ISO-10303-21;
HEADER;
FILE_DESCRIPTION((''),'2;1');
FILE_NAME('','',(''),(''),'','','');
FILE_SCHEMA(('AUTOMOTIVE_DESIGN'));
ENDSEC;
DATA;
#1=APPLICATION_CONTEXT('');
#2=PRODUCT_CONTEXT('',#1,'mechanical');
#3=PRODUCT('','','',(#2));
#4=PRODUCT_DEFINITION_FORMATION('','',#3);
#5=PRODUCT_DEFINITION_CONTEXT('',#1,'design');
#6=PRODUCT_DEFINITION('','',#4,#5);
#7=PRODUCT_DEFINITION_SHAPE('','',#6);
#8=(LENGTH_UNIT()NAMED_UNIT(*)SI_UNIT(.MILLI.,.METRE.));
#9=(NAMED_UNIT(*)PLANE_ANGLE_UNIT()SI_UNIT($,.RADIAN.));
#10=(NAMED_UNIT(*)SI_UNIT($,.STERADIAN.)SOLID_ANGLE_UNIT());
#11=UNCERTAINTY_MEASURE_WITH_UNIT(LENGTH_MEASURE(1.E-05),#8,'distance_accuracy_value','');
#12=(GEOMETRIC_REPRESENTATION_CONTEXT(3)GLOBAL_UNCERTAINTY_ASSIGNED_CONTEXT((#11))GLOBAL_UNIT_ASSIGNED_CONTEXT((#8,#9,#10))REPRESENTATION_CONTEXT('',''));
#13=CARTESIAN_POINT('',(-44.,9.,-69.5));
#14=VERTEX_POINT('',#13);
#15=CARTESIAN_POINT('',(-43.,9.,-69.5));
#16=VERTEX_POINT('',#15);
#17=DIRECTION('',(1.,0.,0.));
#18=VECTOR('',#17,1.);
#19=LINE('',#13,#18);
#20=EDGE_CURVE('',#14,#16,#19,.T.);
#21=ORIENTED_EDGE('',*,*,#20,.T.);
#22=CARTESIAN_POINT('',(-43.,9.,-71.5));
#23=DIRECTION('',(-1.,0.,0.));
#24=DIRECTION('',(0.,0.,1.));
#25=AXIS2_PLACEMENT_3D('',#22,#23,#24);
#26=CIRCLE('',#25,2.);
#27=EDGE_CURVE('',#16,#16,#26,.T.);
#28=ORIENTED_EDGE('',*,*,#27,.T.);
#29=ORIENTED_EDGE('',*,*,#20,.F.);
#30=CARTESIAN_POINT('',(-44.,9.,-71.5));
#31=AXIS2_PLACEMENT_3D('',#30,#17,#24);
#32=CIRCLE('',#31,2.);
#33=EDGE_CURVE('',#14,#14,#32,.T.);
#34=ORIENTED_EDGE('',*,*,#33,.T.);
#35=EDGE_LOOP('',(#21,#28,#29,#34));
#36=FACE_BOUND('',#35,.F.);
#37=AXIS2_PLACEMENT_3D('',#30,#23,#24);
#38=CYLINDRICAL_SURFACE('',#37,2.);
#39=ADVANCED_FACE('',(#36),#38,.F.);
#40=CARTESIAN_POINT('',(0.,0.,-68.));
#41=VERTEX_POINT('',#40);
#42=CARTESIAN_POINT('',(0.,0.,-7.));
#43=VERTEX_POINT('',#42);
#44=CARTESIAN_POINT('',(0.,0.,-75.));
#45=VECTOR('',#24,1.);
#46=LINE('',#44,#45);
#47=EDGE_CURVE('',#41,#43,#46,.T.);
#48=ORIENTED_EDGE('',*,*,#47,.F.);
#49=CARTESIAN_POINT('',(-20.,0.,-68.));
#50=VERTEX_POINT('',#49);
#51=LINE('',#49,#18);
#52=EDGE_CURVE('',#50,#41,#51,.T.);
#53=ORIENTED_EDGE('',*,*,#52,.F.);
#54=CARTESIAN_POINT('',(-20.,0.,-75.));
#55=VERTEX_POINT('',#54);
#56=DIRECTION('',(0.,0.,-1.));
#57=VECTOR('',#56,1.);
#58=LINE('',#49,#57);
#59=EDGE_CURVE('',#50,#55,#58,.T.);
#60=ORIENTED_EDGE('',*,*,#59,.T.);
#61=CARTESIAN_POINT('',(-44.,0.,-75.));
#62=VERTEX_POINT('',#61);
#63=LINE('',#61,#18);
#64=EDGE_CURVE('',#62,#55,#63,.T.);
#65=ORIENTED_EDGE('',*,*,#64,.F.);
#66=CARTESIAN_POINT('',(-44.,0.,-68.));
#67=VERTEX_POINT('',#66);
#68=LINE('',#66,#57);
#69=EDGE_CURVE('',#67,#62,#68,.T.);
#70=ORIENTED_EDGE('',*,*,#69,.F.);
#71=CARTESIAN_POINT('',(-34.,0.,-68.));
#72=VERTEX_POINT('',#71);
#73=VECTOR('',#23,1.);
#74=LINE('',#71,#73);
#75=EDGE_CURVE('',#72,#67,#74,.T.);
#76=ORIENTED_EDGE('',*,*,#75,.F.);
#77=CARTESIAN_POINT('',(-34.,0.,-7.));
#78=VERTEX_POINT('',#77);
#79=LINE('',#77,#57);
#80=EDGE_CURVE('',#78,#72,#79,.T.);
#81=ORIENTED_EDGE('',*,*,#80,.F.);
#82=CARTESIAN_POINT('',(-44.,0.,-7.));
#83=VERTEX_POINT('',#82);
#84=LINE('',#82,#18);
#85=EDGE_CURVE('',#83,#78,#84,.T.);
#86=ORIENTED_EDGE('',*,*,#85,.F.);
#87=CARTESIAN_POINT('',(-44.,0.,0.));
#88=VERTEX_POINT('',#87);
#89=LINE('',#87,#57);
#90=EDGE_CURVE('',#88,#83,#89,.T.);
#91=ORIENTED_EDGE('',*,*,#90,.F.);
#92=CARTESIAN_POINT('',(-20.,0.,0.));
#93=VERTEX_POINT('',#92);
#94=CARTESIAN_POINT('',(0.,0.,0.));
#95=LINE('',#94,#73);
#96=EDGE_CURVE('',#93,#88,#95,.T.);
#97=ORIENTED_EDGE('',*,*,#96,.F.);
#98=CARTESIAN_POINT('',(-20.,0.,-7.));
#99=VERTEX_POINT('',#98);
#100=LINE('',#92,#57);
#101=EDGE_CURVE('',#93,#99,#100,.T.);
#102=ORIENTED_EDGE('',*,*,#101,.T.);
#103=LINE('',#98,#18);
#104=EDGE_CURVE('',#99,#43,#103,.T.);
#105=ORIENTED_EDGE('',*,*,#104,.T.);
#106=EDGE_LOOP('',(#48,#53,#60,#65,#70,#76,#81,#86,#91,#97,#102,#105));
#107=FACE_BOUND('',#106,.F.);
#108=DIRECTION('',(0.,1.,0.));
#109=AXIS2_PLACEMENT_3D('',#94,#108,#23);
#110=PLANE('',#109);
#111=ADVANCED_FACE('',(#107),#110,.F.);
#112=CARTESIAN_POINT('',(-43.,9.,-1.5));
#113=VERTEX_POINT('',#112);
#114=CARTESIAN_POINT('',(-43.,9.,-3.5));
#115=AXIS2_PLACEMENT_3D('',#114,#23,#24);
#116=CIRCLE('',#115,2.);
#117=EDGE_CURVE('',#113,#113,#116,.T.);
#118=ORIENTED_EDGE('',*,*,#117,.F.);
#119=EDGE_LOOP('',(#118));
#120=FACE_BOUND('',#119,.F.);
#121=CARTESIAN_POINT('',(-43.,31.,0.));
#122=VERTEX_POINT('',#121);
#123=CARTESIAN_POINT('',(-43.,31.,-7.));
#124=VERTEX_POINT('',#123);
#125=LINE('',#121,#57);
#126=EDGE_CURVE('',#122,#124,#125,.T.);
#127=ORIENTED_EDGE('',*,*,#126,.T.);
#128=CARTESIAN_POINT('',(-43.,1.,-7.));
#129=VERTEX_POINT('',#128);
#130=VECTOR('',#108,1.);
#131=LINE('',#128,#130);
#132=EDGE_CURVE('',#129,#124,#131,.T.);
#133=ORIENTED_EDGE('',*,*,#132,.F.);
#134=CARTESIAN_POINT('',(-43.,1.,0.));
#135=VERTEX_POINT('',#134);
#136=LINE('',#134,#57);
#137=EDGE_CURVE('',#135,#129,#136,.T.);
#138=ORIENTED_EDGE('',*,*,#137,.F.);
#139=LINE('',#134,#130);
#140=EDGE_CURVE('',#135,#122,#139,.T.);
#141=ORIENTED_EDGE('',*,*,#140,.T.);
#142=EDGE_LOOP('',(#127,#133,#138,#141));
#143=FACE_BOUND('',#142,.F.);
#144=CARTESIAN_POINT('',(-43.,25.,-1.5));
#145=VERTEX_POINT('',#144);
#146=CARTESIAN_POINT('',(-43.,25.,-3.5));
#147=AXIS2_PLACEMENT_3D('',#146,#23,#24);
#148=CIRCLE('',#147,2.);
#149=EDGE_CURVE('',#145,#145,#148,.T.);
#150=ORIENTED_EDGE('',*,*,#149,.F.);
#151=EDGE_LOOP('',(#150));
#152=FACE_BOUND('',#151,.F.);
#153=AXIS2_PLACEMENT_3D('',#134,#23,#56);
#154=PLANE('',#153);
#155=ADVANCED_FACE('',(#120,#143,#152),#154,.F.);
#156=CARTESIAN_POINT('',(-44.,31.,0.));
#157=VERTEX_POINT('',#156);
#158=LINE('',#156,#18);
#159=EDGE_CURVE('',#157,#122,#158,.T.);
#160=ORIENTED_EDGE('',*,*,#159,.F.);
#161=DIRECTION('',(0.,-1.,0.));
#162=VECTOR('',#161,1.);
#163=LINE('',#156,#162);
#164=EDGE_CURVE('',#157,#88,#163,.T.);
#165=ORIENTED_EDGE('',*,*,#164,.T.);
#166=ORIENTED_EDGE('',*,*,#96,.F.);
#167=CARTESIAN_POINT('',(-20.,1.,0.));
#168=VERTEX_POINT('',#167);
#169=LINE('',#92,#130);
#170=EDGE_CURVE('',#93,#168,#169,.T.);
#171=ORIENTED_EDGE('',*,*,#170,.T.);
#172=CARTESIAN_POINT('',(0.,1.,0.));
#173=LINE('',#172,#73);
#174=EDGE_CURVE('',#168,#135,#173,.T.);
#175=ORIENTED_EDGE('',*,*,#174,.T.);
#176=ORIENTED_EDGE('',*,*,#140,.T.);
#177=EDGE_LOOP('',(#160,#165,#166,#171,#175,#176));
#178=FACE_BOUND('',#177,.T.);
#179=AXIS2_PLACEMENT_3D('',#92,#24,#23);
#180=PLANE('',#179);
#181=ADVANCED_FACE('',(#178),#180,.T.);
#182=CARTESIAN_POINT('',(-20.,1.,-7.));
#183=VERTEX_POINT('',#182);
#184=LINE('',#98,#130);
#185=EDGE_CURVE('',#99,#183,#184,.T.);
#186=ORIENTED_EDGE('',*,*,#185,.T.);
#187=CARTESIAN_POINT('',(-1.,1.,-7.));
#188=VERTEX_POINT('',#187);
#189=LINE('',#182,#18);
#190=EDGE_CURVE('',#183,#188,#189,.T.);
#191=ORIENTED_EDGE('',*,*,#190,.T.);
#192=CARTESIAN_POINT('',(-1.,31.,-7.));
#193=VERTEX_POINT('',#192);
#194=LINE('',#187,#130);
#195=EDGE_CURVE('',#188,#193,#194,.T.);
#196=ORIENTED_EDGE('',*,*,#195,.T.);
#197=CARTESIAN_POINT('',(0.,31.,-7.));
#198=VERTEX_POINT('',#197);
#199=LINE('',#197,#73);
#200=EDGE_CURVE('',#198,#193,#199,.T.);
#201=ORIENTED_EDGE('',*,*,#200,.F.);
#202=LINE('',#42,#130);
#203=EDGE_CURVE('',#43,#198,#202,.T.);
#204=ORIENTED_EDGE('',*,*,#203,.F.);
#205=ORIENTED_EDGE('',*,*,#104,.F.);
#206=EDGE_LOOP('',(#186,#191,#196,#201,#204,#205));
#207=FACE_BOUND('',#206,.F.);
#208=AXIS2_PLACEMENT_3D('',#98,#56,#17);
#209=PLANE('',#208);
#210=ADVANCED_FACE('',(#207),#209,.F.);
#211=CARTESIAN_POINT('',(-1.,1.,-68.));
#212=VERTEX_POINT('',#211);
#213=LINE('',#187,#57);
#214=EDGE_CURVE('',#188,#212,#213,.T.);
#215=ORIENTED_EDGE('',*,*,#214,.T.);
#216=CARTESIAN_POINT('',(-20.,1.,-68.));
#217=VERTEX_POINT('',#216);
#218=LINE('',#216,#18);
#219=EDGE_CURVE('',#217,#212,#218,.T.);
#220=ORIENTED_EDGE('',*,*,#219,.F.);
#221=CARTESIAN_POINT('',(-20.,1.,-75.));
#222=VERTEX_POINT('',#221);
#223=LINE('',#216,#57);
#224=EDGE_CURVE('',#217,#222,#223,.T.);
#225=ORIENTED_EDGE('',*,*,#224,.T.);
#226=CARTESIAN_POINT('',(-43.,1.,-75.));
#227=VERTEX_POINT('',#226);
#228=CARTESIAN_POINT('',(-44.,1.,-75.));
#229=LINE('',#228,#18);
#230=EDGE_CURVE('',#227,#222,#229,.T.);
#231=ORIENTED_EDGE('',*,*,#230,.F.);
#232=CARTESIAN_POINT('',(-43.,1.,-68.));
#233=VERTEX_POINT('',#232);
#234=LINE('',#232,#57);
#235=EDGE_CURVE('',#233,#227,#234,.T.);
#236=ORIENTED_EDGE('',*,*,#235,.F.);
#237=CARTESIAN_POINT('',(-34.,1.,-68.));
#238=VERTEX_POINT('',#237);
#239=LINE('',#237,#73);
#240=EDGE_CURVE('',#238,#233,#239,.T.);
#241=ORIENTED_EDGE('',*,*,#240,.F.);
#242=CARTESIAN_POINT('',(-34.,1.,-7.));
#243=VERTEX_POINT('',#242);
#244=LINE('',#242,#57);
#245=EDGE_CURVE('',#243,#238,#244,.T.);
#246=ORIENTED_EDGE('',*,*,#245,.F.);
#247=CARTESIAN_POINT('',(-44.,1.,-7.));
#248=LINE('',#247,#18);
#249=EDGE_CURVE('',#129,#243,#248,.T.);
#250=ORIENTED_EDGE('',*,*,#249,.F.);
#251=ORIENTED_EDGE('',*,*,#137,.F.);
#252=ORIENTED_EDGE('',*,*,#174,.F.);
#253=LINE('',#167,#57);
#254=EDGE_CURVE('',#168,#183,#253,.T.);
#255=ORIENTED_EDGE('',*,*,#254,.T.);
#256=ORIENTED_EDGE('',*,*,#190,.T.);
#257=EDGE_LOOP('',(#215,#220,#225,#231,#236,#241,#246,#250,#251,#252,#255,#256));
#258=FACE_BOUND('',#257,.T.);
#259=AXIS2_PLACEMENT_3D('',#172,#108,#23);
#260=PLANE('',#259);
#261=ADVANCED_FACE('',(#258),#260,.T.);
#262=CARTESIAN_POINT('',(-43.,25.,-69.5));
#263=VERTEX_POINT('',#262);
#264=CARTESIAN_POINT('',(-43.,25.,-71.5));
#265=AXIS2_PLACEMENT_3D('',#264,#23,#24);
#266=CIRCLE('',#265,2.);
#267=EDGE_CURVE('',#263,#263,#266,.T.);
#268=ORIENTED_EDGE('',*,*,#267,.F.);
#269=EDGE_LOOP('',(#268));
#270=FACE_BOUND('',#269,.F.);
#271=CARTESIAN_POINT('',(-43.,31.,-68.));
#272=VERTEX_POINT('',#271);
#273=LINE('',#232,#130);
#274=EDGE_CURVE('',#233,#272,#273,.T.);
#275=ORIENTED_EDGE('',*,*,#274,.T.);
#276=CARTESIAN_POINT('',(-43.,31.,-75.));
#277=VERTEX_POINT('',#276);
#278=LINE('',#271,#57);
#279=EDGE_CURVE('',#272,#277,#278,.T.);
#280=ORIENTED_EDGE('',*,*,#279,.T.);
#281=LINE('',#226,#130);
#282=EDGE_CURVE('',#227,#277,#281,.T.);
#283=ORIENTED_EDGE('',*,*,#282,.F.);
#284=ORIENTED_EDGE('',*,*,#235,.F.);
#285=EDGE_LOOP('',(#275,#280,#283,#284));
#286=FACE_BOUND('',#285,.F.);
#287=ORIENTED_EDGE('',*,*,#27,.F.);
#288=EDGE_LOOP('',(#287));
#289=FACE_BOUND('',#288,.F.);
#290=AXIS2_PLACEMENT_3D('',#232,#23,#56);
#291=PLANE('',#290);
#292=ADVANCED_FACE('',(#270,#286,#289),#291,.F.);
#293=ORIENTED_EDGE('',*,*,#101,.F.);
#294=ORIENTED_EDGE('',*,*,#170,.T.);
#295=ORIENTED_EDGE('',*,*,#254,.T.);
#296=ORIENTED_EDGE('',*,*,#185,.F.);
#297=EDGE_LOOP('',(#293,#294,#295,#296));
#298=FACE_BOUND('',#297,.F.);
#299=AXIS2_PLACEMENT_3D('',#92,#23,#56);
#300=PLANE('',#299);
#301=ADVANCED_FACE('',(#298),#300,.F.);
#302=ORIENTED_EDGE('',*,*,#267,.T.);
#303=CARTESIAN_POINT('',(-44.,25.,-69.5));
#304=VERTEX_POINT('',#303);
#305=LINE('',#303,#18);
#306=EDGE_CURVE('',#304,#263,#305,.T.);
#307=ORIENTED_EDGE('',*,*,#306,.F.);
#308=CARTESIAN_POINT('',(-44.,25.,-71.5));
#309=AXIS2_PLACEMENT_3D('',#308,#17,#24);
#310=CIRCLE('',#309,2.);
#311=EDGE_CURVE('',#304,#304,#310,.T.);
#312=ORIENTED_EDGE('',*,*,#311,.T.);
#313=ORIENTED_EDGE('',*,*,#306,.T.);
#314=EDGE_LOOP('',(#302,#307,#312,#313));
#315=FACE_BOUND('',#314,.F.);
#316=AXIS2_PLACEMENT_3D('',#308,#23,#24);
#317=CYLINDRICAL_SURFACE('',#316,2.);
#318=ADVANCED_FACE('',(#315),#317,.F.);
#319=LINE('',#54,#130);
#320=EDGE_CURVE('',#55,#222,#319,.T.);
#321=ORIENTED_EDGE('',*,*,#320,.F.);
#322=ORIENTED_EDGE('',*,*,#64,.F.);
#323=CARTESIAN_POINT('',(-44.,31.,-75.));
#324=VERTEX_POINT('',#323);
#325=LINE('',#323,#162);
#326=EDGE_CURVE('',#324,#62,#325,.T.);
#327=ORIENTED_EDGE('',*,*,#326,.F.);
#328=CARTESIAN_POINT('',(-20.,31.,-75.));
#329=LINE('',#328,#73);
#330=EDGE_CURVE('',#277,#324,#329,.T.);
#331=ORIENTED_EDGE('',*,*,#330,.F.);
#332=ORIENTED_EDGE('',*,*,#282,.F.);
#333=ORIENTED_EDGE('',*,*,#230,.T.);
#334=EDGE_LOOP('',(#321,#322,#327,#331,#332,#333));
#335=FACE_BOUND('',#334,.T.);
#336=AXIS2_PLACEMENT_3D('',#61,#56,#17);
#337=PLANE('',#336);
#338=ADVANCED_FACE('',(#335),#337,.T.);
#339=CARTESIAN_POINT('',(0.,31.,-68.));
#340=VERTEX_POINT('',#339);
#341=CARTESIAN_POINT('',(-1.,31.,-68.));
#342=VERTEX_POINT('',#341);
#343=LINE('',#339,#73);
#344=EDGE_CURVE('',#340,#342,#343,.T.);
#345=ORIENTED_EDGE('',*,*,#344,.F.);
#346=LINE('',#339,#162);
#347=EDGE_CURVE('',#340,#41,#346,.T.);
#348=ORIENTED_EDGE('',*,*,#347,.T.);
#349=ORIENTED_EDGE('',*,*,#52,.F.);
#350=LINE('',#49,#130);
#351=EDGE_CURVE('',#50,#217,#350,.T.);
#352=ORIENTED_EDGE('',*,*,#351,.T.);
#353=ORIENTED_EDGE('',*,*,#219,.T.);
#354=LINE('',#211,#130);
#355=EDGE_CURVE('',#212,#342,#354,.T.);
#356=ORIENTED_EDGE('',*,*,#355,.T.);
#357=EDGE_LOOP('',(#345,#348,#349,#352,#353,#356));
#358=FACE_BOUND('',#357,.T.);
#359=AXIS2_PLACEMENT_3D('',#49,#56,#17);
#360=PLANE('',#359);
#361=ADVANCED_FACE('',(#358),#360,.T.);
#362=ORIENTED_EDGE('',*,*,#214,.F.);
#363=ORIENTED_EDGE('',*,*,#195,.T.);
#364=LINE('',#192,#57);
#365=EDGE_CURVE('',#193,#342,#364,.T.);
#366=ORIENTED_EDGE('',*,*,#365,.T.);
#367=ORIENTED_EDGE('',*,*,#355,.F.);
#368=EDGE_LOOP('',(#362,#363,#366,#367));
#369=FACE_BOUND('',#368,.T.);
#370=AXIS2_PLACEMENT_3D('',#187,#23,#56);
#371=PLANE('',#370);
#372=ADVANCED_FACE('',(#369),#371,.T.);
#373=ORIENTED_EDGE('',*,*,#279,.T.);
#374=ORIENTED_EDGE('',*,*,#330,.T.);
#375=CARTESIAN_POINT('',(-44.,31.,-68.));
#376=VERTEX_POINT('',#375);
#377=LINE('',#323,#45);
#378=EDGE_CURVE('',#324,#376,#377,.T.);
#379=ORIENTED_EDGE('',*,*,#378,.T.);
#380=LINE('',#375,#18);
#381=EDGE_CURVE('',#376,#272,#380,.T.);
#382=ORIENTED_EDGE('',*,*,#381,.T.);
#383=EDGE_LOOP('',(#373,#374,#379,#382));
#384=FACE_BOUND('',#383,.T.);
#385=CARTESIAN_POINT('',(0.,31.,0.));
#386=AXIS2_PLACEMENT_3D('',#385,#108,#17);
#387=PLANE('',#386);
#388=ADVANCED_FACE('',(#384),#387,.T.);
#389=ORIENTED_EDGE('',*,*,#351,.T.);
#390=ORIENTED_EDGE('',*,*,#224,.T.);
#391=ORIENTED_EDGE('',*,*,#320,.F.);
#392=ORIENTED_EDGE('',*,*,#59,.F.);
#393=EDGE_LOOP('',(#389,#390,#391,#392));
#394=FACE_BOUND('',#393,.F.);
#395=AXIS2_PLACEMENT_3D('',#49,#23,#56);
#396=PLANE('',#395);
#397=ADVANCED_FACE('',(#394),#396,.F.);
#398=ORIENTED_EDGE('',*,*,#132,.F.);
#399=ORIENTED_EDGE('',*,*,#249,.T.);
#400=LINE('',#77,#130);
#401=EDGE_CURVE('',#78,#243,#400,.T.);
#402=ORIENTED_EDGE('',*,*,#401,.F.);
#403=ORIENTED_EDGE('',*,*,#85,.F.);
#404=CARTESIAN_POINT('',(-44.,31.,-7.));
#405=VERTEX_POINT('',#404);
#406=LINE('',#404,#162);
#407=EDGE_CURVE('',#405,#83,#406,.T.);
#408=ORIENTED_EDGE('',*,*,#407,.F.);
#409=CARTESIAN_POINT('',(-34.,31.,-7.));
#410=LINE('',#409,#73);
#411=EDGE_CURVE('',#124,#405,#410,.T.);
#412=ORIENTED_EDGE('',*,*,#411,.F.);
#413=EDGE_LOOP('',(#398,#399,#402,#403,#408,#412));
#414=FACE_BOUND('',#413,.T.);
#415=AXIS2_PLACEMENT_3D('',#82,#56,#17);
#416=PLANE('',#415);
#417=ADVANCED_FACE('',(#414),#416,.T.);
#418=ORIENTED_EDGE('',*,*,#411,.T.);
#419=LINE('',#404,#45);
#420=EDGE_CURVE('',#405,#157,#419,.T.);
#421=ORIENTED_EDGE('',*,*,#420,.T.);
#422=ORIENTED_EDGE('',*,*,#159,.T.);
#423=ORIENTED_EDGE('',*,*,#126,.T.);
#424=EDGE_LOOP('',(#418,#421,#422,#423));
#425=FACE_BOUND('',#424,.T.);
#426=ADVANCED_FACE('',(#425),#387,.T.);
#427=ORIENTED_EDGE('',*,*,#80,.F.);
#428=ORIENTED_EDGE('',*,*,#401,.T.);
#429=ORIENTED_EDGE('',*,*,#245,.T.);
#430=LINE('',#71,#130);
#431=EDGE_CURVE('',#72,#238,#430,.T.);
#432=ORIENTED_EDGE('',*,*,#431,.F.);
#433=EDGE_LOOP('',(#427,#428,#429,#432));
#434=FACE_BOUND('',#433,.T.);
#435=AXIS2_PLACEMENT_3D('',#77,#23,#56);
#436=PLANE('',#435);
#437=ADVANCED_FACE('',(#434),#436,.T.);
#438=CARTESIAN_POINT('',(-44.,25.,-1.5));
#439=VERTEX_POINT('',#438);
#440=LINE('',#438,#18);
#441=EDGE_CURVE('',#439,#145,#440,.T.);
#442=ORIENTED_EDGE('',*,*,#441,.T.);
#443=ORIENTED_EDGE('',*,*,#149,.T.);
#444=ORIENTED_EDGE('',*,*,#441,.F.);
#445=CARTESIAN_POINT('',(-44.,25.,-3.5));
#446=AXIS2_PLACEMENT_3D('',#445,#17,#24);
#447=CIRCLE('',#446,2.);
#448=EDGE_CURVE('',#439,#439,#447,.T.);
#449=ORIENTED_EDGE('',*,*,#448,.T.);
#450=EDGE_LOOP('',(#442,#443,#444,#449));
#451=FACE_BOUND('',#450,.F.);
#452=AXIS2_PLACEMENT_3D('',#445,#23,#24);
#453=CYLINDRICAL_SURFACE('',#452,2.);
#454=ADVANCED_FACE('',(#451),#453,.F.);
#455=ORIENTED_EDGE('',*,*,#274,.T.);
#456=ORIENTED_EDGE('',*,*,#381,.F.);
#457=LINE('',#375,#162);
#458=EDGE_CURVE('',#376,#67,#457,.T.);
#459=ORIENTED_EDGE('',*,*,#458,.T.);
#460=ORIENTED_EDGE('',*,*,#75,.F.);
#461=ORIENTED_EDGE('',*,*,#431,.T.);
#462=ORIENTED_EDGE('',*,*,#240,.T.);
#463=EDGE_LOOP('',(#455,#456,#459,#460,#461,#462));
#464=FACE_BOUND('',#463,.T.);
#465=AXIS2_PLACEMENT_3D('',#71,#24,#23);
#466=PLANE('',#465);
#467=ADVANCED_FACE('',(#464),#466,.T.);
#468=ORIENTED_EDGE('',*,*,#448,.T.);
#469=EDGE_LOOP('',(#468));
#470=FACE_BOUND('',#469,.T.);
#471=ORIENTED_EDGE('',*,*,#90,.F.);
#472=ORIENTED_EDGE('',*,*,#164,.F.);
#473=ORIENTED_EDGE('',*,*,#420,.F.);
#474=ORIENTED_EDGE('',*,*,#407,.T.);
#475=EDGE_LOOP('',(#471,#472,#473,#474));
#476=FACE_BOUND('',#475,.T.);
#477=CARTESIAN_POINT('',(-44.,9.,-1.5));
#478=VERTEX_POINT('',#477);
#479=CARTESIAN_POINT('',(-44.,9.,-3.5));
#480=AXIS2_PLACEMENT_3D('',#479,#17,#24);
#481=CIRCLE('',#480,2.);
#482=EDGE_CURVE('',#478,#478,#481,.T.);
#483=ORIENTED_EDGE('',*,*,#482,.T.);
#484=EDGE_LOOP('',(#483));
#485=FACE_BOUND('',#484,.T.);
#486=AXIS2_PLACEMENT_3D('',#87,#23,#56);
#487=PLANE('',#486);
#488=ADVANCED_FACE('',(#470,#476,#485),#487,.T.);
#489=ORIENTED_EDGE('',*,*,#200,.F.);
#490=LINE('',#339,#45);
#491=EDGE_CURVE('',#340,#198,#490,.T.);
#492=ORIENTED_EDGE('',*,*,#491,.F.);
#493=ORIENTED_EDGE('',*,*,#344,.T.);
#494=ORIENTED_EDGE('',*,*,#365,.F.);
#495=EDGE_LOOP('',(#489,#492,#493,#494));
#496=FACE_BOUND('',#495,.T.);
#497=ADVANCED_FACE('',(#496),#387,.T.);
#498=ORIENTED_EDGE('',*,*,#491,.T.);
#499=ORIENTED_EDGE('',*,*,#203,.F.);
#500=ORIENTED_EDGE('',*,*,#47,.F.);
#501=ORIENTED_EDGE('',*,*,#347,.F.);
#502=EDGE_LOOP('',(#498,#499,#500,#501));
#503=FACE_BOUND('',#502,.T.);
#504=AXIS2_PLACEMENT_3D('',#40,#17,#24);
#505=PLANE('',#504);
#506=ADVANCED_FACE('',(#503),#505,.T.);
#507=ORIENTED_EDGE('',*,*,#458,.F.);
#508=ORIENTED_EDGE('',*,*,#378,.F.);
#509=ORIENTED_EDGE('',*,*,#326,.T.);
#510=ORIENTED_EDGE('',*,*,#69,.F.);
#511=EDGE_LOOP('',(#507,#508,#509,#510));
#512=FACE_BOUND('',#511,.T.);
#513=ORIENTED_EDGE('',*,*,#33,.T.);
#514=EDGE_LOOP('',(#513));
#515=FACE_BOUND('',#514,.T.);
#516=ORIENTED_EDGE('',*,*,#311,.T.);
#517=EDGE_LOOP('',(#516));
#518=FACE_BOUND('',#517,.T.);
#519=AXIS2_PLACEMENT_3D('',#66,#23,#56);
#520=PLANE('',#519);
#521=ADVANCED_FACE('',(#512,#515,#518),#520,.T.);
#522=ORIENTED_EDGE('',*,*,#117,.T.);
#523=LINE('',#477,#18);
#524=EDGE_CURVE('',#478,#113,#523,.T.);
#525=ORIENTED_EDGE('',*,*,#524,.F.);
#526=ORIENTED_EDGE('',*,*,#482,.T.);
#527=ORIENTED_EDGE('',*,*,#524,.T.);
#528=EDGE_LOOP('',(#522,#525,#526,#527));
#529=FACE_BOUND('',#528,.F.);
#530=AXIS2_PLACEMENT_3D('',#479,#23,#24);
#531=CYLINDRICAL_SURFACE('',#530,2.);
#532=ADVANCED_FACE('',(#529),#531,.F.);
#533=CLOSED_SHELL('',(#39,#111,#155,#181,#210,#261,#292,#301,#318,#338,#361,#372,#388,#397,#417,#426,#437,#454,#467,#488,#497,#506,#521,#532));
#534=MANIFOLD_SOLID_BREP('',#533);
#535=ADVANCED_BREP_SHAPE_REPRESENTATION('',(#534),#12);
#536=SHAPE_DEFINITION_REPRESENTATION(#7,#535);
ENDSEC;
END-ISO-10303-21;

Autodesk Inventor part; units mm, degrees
ref_plane "YZ Plane" through (0, 0, 0) normal (1, 0, 0) x (0, 1, 0)
ref_plane "XZ Plane" through (0, 0, 0) normal (0, 1, 0) x (-1, 0, 0)
ref_plane "XY Plane" through (0, 0, 0) normal (0, 0, 1) x (1, 0, 0)
sketch "Sketch1" plane through (0, 0, 0) normal (0, 1, 0) x (-1, 0, 0)
  line L0 (0, 0) -> (44, 0)
  line L1 (44, -75) -> (20, -75)
  line L2 (0, -75) -> (0, -7)
  line L3 (44, 0) -> (44, -7)
  line L4 (44, -7) -> (34, -7)
  line L5 (34, -7) -> (34, -68)
  line L6 (34, -68) -> (44, -68)
  line L7 (44, 0) -> (44, -7)
  line L8 (44, -68) -> (44, -75)
  line L9 (0, 0) -> (20, 0)
  line L10 (20, 0) -> (20, -7)
  line L11 (20, -7) -> (0, -7)
  line L12 (20, -68) -> (20, -75)
  line L13 (20, -68) -> (0, -68)
  dimension "d0" = 44
  dimension "d1" = 75
  dimension "d2" = 7
  dimension "d3" = 10
  dimension "d4" = 61
  dimension "d5" = 20
extrude "Extrusion1" add sketch "Sketch1" along normal blind 1
sketch "Sketch2" plane through (0, 1, 0) normal (0, 1, 0) x (1, 0, 0)
  line L0 (0, 68) -> (-20, 68) projected
  line L1 (-20, 75) -> (-44, 75) projected
  line L2 (-34, 7) -> (-44, 7) projected
  line L3 (-44, 0) -> (-43, 0)
  line L4 (-43, 0) -> (-43, 7)
  line L5 (-43, 7) -> (-44, 7)
  line L6 (-44, 7) -> (-44, 0)
  line L7 (-44, 68) -> (-43, 68)
  line L8 (-43, 68) -> (-43, 75)
  line L9 (-43, 75) -> (-44, 75)
  line L10 (-44, 75) -> (-44, 68)
  line L11 (0, 7) -> (-1, 7)
  line L12 (-1, 7) -> (-1, 68)
  line L13 (-1, 68) -> (0, 68)
  line L14 (0, 68) -> (0, 7)
  point P0 (0, 0)
  dimension "d8" = 1
  dimension "d9" = 1
  dimension "d10" = 1
extrude "Extrusion2" add sketch "Sketch2" along normal blind 30
sketch "Sketch3" plane through (-44, 0, -7) normal (-1, 0, 0) x (0, 0, 1)
  line L0 (0, 31) -> (7, 31) projected
  line L1 (3.5, 31) -> (3.5, 25)
  line L2 (3.5, 25) -> (3.5, 9)
  circle A0 centre (3.5, 25) radius 2
  circle A1 centre (3.5, 9) radius 2
  dimension "d13" = 6
  dimension "d14" = 16
  dimension "d15" = 4
  dimension "d16" = 4
extrude "Extrusion3" cut sketch "Sketch3" against normal blind 30
sketch "Sketch4" plane through (-44, 0, -75) normal (-1, 0, 0) x (0, 0, 1)
  line L0 (7, 31) -> (0, 31) projected
  line L1 (3.5, 31) -> (3.5, 25)
  line L2 (3.5, 25) -> (3.5, 9)
  circle A0 centre (3.5, 25) radius 2
  circle A1 centre (3.5, 9) radius 2
  point P0 (75, 0)
  dimension "d19" = 6
  dimension "d20" = 16
  dimension "d21" = 4
  dimension "d22" = 4
extrude "Extrusion4" cut sketch "Sketch4" against normal blind 30
properties part number "Shoulder Plate"
